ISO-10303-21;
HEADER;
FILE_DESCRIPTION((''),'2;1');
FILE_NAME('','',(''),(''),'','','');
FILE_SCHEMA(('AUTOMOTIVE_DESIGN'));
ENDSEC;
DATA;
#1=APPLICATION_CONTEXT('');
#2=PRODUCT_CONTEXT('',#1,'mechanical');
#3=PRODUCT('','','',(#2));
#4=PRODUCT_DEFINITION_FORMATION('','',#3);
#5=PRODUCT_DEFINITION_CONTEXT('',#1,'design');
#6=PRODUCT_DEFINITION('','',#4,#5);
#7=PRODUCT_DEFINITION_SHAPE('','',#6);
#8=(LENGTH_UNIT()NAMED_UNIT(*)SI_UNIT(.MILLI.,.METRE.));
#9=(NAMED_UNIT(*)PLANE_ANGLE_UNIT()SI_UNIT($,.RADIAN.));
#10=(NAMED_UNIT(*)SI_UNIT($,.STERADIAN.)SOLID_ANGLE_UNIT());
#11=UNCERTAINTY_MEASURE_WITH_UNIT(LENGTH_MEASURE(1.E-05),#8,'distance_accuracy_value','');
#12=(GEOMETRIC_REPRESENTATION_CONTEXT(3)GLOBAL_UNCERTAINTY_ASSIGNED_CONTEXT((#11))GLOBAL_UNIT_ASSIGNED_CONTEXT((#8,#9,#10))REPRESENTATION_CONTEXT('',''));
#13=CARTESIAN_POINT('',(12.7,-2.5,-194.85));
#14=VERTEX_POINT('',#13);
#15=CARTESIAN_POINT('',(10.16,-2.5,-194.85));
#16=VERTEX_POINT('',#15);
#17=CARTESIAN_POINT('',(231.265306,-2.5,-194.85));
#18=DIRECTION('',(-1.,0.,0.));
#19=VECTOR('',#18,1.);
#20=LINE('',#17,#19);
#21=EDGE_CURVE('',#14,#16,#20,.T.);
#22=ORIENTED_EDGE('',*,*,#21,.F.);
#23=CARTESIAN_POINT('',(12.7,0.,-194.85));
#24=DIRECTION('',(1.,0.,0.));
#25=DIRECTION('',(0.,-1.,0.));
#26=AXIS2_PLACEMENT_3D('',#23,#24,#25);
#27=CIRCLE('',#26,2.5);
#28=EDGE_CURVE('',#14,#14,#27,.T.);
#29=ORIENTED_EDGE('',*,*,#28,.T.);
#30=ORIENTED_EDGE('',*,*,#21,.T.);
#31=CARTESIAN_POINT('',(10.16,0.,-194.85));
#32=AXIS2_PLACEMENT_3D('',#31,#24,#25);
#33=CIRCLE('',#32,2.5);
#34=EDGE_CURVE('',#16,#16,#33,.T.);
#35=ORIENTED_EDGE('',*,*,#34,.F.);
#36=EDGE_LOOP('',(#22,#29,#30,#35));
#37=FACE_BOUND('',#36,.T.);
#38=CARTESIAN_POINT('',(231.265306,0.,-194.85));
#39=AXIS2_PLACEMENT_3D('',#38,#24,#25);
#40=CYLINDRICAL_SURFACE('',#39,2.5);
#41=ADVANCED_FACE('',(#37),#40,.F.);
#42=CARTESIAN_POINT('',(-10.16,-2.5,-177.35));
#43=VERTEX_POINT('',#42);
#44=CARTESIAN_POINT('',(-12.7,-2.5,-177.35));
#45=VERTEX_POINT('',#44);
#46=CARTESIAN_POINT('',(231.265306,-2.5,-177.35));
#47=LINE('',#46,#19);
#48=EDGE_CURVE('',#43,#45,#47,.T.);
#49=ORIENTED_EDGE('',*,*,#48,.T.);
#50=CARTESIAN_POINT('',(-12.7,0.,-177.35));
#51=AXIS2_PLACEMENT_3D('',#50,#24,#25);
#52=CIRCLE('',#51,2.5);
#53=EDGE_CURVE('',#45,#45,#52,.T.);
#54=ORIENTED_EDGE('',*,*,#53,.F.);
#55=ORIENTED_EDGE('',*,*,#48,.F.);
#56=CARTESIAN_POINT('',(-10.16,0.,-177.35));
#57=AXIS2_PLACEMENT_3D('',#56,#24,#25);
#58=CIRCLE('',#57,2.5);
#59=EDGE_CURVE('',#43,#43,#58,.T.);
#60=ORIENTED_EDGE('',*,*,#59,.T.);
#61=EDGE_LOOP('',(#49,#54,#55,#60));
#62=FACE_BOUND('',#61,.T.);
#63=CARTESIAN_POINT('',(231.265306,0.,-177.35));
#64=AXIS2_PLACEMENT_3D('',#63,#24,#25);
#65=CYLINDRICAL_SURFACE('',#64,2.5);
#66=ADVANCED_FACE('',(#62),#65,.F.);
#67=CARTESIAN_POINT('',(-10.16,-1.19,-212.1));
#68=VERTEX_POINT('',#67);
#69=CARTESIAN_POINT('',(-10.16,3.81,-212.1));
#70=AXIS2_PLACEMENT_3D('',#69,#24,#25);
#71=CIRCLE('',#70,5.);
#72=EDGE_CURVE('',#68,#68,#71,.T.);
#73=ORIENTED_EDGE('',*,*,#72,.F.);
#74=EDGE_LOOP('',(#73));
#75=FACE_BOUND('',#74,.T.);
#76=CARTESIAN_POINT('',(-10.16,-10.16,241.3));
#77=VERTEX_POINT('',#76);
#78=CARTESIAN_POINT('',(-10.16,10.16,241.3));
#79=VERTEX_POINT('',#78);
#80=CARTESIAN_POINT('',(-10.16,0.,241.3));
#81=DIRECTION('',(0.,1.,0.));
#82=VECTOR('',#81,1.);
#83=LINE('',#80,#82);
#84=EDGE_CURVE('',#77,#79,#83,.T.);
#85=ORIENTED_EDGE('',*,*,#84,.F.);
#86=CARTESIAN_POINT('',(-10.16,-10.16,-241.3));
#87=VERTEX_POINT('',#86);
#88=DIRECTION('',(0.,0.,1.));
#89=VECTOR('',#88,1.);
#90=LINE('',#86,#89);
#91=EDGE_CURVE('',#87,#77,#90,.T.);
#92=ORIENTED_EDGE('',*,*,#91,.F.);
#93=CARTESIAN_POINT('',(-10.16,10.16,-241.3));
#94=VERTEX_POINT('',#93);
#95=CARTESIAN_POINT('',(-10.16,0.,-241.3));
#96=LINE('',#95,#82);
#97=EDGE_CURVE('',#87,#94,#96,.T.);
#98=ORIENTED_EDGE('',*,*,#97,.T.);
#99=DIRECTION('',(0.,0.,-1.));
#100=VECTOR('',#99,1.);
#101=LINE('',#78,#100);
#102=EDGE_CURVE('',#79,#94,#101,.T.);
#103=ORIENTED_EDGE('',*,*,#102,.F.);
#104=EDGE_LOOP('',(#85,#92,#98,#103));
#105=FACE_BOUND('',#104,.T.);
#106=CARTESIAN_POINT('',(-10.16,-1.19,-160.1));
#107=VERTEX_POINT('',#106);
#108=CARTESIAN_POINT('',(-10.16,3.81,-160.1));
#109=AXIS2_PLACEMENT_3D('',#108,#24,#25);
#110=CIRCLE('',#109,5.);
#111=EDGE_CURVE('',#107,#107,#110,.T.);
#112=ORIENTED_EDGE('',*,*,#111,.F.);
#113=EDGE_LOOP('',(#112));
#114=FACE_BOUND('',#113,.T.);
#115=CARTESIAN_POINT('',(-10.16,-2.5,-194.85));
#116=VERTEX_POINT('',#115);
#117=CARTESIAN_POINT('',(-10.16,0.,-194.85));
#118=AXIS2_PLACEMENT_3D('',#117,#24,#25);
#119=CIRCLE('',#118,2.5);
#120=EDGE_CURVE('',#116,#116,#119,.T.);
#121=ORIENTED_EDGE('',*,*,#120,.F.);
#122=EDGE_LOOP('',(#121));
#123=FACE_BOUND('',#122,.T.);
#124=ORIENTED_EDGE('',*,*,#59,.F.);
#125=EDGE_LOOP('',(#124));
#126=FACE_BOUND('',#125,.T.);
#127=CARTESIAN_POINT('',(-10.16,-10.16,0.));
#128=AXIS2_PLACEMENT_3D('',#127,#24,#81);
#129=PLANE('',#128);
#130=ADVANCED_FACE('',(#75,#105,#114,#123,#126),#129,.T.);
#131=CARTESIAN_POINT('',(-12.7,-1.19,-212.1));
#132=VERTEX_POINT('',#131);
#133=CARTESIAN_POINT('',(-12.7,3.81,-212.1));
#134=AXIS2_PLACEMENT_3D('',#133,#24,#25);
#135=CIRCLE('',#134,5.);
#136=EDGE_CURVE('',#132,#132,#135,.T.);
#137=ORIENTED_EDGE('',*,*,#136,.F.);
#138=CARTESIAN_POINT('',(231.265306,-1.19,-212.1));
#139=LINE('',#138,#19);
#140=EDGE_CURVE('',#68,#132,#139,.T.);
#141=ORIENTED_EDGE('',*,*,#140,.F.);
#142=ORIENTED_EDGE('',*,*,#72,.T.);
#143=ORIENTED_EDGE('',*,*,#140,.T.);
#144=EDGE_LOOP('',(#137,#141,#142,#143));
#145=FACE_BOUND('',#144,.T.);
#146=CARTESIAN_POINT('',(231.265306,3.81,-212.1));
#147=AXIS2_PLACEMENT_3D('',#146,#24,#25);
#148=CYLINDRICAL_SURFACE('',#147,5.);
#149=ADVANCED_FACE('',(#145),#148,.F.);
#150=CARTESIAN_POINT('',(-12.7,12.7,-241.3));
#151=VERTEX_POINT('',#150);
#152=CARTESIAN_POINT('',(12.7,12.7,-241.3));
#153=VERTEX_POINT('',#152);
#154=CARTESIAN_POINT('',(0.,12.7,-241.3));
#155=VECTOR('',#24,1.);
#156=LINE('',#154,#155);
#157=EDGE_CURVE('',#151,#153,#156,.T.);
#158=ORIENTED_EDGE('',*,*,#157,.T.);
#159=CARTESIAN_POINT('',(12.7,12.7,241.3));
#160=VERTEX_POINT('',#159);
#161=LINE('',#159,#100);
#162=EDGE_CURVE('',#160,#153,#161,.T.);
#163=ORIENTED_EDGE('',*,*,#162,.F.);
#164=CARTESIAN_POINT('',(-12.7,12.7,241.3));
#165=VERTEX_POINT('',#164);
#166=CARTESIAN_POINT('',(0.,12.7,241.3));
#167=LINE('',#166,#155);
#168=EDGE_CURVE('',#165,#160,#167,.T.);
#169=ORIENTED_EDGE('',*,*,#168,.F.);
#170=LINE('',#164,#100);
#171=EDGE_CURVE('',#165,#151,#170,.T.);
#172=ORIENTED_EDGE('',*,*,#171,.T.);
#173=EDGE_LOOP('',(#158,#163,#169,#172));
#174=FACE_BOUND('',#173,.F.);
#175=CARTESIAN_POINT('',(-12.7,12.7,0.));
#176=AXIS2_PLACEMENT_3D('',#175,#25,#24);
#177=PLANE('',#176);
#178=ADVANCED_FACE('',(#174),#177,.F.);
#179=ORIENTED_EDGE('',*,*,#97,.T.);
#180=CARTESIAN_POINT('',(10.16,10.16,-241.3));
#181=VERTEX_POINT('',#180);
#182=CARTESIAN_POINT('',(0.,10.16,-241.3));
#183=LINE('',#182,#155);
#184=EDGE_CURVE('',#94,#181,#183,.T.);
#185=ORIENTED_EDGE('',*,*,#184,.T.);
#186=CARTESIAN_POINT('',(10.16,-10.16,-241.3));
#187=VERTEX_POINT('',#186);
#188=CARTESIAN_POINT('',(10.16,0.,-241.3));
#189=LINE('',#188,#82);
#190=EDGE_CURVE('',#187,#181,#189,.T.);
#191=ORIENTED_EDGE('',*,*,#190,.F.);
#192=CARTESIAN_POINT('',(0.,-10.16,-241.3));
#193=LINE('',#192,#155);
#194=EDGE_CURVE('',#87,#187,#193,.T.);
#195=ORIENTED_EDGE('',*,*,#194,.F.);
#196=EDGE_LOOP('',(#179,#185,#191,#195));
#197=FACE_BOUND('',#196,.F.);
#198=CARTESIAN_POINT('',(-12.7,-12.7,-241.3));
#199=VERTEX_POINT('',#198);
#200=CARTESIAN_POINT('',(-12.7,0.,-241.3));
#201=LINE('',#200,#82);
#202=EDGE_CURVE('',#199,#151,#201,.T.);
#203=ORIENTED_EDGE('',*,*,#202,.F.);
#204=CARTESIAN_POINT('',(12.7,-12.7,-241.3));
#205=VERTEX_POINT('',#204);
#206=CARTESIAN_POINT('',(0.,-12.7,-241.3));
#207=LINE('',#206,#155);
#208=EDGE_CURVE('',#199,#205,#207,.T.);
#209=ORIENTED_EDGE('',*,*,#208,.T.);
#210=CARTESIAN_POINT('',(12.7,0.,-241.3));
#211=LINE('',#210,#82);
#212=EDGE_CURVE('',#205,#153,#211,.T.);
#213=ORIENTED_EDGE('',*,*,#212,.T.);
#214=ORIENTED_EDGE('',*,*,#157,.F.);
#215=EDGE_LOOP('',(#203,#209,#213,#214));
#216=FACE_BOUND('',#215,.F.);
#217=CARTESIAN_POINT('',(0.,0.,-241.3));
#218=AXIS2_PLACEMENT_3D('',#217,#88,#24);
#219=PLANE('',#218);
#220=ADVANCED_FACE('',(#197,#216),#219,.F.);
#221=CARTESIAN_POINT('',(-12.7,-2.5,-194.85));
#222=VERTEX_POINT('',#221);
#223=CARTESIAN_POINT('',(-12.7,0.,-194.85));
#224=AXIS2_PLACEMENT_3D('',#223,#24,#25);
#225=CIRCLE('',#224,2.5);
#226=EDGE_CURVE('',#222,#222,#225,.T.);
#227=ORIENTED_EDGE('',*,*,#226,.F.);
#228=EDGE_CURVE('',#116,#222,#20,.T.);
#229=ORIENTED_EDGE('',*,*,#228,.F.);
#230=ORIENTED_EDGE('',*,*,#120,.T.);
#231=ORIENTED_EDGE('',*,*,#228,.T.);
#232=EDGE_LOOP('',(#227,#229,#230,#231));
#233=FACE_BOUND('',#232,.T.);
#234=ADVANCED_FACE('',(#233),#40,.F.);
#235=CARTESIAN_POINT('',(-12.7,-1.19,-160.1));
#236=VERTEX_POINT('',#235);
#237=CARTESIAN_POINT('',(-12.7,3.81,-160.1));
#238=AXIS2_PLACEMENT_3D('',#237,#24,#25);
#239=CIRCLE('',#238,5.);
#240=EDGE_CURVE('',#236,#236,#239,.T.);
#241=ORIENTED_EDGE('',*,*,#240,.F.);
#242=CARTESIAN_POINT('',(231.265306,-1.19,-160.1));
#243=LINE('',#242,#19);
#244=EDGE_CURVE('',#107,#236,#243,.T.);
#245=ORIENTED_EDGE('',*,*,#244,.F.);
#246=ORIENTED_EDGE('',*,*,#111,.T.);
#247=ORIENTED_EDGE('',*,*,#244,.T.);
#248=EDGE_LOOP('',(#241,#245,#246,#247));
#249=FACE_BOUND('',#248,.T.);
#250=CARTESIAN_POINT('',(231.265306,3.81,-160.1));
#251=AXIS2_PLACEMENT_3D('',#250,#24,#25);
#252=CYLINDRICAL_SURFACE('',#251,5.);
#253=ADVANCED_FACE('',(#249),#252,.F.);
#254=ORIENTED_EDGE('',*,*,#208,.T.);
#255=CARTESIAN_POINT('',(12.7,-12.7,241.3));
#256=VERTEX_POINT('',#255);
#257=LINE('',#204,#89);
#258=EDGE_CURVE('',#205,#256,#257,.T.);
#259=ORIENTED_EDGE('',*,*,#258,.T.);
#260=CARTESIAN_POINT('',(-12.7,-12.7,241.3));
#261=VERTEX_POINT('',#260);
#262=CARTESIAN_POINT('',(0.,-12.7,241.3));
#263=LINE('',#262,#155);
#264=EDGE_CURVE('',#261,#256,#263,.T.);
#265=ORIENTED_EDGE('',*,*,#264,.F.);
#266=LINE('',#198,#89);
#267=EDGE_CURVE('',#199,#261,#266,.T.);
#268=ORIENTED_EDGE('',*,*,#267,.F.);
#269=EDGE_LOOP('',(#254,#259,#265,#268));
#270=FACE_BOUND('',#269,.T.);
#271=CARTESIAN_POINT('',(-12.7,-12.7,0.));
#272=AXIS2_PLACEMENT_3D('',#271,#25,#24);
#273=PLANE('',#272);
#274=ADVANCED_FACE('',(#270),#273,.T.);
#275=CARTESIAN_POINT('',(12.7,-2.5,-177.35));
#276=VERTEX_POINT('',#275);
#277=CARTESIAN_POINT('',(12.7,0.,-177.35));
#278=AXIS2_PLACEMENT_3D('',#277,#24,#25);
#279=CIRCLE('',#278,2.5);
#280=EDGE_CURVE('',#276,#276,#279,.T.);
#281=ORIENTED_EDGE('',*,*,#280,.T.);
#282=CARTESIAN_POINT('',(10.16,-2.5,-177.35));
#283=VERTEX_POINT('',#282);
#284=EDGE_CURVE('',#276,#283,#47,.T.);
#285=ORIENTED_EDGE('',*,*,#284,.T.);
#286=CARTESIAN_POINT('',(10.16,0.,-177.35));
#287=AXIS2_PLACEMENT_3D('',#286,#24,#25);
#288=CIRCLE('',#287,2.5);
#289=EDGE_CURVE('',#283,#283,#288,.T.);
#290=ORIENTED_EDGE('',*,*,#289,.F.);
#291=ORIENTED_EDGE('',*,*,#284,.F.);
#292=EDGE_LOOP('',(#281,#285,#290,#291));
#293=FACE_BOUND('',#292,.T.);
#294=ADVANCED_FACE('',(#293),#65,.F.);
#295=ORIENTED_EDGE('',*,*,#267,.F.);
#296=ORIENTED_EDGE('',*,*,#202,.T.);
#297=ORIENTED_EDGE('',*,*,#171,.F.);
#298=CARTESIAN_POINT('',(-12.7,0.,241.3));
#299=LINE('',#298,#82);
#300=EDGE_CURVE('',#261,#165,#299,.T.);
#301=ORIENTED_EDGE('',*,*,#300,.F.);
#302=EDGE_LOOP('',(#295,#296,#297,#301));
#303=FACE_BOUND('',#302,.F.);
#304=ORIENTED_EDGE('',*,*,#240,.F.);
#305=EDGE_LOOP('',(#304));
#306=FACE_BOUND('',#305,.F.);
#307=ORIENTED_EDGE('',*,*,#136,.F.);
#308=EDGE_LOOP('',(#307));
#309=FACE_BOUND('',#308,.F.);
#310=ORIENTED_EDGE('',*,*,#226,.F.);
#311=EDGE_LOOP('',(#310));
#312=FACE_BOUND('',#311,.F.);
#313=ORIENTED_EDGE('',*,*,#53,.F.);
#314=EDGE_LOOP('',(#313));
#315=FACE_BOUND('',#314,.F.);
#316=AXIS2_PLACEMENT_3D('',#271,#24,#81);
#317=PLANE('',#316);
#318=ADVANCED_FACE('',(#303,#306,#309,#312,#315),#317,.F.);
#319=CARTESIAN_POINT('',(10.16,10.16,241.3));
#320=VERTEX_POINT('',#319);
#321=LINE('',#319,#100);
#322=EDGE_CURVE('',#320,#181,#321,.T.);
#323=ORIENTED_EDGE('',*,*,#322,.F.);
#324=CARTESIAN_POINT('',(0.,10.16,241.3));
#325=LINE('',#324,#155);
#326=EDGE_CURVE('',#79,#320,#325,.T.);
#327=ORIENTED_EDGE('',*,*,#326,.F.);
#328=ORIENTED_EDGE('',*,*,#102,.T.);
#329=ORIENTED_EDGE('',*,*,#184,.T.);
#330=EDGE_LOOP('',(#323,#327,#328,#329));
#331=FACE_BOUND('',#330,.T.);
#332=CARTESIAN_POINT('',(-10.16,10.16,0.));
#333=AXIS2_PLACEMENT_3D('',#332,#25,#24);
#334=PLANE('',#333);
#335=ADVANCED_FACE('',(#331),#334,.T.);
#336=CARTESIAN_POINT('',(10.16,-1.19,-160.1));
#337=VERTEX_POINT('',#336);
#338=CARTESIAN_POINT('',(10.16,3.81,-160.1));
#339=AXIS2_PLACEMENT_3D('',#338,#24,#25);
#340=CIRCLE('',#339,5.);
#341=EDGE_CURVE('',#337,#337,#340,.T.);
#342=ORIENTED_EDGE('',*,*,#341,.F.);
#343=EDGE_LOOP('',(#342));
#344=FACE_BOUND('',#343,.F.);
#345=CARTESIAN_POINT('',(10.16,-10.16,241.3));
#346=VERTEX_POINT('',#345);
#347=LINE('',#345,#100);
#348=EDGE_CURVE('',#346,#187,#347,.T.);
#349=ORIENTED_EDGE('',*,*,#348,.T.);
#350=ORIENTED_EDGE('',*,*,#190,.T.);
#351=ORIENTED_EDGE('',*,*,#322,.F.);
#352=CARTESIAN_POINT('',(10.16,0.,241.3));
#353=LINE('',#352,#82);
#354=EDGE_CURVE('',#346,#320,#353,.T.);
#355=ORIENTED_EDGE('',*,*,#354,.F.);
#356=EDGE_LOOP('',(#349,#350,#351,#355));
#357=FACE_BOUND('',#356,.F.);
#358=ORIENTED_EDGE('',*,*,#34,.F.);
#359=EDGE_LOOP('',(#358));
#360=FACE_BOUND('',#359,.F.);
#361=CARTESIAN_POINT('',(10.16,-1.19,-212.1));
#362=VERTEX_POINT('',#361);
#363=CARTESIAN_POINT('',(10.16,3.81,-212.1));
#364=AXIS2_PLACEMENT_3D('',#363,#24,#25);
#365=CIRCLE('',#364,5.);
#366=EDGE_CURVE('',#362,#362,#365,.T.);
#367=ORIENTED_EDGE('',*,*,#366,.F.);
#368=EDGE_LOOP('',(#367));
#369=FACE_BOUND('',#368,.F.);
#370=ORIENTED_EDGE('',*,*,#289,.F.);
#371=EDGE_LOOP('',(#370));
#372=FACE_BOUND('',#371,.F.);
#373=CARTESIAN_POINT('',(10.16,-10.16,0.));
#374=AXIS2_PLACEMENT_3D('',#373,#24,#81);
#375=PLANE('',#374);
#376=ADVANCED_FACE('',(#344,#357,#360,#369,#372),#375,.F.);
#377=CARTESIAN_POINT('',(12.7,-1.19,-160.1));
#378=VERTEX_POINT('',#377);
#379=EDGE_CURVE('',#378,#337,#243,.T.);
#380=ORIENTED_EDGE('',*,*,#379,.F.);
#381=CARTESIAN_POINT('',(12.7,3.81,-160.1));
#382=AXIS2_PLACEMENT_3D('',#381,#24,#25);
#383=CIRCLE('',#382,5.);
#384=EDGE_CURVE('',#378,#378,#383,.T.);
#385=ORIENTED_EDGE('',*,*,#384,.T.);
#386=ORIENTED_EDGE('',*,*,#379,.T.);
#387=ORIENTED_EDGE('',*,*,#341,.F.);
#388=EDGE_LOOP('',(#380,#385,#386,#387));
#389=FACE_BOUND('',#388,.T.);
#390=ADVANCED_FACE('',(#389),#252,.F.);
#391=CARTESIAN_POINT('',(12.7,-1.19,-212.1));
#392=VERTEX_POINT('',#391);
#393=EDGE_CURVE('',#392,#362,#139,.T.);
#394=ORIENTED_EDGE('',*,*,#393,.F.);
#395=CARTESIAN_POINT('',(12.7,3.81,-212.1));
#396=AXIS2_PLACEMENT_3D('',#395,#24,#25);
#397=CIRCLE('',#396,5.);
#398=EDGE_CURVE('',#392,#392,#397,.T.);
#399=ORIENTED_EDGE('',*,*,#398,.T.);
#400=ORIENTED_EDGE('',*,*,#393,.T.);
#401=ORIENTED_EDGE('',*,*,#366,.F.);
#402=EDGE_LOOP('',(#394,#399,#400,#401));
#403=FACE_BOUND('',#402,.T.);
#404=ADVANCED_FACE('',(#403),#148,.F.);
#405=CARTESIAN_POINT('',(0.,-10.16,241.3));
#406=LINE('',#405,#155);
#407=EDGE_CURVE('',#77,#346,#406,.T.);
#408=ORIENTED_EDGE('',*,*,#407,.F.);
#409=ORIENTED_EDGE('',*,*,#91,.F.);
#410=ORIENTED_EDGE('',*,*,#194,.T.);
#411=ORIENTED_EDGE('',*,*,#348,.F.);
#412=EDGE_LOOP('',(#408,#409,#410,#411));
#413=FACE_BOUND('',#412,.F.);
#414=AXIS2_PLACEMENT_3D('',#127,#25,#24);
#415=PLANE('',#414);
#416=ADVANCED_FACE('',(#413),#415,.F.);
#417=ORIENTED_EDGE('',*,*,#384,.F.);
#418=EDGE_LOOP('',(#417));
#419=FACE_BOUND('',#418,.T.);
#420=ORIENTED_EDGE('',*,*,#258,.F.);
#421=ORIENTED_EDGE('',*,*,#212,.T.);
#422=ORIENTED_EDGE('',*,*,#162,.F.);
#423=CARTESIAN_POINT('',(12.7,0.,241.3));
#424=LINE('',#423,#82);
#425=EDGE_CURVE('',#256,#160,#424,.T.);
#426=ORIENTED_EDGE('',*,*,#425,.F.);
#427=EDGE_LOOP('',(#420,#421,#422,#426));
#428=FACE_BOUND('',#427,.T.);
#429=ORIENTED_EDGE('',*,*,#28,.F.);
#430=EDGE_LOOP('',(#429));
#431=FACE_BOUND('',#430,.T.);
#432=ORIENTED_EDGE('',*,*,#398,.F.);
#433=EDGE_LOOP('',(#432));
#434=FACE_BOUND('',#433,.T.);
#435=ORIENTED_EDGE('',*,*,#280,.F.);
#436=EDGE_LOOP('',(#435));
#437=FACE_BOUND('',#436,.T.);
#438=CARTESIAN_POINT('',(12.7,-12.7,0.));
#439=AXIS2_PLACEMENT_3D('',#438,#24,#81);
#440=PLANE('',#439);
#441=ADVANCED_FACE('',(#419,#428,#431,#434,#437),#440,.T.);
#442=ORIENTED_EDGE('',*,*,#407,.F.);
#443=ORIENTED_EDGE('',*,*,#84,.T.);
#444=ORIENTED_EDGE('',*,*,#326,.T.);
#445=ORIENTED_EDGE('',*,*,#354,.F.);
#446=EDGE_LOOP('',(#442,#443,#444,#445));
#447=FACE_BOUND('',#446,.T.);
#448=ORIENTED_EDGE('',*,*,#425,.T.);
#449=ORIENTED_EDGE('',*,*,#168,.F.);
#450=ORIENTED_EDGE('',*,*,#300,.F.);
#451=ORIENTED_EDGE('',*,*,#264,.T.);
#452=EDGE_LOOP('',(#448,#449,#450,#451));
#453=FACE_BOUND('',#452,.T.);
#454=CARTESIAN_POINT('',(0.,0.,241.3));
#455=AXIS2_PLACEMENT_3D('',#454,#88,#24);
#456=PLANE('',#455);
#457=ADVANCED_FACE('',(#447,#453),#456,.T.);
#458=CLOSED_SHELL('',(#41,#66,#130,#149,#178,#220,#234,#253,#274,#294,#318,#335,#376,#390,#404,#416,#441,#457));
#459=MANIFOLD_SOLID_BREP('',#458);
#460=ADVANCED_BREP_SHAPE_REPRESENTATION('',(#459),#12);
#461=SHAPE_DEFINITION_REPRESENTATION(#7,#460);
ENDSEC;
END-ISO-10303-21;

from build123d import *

# Parameters (mm, degrees)
SKETCH1_W               = 25.4
SKETCH1_H               = 25.4
SKETCH1_W_2             = 20.32
SKETCH1_H_2             = 20.32
BOSS_EXTRUDE1_DEPTH     = 241.3
CUT_EXTRUDE1_DEPTH      = 243.965306165
CUT_EXTRUDE1_DEPTH_BACK = 243.965306165
SKETCH2_R               = 5
CUT_EXTRUDE3_DEPTH      = 243.965306165
CUT_EXTRUDE3_DEPTH_BACK = 243.965306165
SKETCH5_R               = 2.5


with BuildPart() as part:
    # Sketch1 → Boss-Extrude1 (new, symmetric)
    with BuildSketch(Plane.XY):
        Rectangle(SKETCH1_W, SKETCH1_H)
        Rectangle(SKETCH1_W_2, SKETCH1_H_2, mode=Mode.SUBTRACT)
    extrude(amount=BOSS_EXTRUDE1_DEPTH, both=True)

    # Sketch2 → Cut-Extrude1 (cut, two sides: drawn at the far end of the back side and taken through both)
    with BuildSketch(Plane.ZY.offset(12.7).offset(-CUT_EXTRUDE1_DEPTH_BACK)):
        with Locations(Location((-212.1, 3.81, 0), (0, 0, 270))):
            Circle(SKETCH2_R)
        with Locations(Location((-160.1, 3.81, 0), (0, 0, 270))):
            Circle(SKETCH2_R)
    extrude(amount=CUT_EXTRUDE1_DEPTH + CUT_EXTRUDE1_DEPTH_BACK, mode=Mode.SUBTRACT)

    # Sketch5 → Cut-Extrude3 (cut, two sides: drawn at the far end of the back side and taken through both)
    with BuildSketch(Plane.ZY.offset(12.7).offset(-CUT_EXTRUDE3_DEPTH_BACK)):
        with Locations(Location((-194.85, 0, 0), (0, 0, 270))):
            Circle(SKETCH5_R)
        with Locations(Location((-177.35, 0, 0), (0, 0, 270))):
            Circle(SKETCH5_R)
    extrude(amount=CUT_EXTRUDE3_DEPTH + CUT_EXTRUDE3_DEPTH_BACK, mode=Mode.SUBTRACT)


solid = part.part
